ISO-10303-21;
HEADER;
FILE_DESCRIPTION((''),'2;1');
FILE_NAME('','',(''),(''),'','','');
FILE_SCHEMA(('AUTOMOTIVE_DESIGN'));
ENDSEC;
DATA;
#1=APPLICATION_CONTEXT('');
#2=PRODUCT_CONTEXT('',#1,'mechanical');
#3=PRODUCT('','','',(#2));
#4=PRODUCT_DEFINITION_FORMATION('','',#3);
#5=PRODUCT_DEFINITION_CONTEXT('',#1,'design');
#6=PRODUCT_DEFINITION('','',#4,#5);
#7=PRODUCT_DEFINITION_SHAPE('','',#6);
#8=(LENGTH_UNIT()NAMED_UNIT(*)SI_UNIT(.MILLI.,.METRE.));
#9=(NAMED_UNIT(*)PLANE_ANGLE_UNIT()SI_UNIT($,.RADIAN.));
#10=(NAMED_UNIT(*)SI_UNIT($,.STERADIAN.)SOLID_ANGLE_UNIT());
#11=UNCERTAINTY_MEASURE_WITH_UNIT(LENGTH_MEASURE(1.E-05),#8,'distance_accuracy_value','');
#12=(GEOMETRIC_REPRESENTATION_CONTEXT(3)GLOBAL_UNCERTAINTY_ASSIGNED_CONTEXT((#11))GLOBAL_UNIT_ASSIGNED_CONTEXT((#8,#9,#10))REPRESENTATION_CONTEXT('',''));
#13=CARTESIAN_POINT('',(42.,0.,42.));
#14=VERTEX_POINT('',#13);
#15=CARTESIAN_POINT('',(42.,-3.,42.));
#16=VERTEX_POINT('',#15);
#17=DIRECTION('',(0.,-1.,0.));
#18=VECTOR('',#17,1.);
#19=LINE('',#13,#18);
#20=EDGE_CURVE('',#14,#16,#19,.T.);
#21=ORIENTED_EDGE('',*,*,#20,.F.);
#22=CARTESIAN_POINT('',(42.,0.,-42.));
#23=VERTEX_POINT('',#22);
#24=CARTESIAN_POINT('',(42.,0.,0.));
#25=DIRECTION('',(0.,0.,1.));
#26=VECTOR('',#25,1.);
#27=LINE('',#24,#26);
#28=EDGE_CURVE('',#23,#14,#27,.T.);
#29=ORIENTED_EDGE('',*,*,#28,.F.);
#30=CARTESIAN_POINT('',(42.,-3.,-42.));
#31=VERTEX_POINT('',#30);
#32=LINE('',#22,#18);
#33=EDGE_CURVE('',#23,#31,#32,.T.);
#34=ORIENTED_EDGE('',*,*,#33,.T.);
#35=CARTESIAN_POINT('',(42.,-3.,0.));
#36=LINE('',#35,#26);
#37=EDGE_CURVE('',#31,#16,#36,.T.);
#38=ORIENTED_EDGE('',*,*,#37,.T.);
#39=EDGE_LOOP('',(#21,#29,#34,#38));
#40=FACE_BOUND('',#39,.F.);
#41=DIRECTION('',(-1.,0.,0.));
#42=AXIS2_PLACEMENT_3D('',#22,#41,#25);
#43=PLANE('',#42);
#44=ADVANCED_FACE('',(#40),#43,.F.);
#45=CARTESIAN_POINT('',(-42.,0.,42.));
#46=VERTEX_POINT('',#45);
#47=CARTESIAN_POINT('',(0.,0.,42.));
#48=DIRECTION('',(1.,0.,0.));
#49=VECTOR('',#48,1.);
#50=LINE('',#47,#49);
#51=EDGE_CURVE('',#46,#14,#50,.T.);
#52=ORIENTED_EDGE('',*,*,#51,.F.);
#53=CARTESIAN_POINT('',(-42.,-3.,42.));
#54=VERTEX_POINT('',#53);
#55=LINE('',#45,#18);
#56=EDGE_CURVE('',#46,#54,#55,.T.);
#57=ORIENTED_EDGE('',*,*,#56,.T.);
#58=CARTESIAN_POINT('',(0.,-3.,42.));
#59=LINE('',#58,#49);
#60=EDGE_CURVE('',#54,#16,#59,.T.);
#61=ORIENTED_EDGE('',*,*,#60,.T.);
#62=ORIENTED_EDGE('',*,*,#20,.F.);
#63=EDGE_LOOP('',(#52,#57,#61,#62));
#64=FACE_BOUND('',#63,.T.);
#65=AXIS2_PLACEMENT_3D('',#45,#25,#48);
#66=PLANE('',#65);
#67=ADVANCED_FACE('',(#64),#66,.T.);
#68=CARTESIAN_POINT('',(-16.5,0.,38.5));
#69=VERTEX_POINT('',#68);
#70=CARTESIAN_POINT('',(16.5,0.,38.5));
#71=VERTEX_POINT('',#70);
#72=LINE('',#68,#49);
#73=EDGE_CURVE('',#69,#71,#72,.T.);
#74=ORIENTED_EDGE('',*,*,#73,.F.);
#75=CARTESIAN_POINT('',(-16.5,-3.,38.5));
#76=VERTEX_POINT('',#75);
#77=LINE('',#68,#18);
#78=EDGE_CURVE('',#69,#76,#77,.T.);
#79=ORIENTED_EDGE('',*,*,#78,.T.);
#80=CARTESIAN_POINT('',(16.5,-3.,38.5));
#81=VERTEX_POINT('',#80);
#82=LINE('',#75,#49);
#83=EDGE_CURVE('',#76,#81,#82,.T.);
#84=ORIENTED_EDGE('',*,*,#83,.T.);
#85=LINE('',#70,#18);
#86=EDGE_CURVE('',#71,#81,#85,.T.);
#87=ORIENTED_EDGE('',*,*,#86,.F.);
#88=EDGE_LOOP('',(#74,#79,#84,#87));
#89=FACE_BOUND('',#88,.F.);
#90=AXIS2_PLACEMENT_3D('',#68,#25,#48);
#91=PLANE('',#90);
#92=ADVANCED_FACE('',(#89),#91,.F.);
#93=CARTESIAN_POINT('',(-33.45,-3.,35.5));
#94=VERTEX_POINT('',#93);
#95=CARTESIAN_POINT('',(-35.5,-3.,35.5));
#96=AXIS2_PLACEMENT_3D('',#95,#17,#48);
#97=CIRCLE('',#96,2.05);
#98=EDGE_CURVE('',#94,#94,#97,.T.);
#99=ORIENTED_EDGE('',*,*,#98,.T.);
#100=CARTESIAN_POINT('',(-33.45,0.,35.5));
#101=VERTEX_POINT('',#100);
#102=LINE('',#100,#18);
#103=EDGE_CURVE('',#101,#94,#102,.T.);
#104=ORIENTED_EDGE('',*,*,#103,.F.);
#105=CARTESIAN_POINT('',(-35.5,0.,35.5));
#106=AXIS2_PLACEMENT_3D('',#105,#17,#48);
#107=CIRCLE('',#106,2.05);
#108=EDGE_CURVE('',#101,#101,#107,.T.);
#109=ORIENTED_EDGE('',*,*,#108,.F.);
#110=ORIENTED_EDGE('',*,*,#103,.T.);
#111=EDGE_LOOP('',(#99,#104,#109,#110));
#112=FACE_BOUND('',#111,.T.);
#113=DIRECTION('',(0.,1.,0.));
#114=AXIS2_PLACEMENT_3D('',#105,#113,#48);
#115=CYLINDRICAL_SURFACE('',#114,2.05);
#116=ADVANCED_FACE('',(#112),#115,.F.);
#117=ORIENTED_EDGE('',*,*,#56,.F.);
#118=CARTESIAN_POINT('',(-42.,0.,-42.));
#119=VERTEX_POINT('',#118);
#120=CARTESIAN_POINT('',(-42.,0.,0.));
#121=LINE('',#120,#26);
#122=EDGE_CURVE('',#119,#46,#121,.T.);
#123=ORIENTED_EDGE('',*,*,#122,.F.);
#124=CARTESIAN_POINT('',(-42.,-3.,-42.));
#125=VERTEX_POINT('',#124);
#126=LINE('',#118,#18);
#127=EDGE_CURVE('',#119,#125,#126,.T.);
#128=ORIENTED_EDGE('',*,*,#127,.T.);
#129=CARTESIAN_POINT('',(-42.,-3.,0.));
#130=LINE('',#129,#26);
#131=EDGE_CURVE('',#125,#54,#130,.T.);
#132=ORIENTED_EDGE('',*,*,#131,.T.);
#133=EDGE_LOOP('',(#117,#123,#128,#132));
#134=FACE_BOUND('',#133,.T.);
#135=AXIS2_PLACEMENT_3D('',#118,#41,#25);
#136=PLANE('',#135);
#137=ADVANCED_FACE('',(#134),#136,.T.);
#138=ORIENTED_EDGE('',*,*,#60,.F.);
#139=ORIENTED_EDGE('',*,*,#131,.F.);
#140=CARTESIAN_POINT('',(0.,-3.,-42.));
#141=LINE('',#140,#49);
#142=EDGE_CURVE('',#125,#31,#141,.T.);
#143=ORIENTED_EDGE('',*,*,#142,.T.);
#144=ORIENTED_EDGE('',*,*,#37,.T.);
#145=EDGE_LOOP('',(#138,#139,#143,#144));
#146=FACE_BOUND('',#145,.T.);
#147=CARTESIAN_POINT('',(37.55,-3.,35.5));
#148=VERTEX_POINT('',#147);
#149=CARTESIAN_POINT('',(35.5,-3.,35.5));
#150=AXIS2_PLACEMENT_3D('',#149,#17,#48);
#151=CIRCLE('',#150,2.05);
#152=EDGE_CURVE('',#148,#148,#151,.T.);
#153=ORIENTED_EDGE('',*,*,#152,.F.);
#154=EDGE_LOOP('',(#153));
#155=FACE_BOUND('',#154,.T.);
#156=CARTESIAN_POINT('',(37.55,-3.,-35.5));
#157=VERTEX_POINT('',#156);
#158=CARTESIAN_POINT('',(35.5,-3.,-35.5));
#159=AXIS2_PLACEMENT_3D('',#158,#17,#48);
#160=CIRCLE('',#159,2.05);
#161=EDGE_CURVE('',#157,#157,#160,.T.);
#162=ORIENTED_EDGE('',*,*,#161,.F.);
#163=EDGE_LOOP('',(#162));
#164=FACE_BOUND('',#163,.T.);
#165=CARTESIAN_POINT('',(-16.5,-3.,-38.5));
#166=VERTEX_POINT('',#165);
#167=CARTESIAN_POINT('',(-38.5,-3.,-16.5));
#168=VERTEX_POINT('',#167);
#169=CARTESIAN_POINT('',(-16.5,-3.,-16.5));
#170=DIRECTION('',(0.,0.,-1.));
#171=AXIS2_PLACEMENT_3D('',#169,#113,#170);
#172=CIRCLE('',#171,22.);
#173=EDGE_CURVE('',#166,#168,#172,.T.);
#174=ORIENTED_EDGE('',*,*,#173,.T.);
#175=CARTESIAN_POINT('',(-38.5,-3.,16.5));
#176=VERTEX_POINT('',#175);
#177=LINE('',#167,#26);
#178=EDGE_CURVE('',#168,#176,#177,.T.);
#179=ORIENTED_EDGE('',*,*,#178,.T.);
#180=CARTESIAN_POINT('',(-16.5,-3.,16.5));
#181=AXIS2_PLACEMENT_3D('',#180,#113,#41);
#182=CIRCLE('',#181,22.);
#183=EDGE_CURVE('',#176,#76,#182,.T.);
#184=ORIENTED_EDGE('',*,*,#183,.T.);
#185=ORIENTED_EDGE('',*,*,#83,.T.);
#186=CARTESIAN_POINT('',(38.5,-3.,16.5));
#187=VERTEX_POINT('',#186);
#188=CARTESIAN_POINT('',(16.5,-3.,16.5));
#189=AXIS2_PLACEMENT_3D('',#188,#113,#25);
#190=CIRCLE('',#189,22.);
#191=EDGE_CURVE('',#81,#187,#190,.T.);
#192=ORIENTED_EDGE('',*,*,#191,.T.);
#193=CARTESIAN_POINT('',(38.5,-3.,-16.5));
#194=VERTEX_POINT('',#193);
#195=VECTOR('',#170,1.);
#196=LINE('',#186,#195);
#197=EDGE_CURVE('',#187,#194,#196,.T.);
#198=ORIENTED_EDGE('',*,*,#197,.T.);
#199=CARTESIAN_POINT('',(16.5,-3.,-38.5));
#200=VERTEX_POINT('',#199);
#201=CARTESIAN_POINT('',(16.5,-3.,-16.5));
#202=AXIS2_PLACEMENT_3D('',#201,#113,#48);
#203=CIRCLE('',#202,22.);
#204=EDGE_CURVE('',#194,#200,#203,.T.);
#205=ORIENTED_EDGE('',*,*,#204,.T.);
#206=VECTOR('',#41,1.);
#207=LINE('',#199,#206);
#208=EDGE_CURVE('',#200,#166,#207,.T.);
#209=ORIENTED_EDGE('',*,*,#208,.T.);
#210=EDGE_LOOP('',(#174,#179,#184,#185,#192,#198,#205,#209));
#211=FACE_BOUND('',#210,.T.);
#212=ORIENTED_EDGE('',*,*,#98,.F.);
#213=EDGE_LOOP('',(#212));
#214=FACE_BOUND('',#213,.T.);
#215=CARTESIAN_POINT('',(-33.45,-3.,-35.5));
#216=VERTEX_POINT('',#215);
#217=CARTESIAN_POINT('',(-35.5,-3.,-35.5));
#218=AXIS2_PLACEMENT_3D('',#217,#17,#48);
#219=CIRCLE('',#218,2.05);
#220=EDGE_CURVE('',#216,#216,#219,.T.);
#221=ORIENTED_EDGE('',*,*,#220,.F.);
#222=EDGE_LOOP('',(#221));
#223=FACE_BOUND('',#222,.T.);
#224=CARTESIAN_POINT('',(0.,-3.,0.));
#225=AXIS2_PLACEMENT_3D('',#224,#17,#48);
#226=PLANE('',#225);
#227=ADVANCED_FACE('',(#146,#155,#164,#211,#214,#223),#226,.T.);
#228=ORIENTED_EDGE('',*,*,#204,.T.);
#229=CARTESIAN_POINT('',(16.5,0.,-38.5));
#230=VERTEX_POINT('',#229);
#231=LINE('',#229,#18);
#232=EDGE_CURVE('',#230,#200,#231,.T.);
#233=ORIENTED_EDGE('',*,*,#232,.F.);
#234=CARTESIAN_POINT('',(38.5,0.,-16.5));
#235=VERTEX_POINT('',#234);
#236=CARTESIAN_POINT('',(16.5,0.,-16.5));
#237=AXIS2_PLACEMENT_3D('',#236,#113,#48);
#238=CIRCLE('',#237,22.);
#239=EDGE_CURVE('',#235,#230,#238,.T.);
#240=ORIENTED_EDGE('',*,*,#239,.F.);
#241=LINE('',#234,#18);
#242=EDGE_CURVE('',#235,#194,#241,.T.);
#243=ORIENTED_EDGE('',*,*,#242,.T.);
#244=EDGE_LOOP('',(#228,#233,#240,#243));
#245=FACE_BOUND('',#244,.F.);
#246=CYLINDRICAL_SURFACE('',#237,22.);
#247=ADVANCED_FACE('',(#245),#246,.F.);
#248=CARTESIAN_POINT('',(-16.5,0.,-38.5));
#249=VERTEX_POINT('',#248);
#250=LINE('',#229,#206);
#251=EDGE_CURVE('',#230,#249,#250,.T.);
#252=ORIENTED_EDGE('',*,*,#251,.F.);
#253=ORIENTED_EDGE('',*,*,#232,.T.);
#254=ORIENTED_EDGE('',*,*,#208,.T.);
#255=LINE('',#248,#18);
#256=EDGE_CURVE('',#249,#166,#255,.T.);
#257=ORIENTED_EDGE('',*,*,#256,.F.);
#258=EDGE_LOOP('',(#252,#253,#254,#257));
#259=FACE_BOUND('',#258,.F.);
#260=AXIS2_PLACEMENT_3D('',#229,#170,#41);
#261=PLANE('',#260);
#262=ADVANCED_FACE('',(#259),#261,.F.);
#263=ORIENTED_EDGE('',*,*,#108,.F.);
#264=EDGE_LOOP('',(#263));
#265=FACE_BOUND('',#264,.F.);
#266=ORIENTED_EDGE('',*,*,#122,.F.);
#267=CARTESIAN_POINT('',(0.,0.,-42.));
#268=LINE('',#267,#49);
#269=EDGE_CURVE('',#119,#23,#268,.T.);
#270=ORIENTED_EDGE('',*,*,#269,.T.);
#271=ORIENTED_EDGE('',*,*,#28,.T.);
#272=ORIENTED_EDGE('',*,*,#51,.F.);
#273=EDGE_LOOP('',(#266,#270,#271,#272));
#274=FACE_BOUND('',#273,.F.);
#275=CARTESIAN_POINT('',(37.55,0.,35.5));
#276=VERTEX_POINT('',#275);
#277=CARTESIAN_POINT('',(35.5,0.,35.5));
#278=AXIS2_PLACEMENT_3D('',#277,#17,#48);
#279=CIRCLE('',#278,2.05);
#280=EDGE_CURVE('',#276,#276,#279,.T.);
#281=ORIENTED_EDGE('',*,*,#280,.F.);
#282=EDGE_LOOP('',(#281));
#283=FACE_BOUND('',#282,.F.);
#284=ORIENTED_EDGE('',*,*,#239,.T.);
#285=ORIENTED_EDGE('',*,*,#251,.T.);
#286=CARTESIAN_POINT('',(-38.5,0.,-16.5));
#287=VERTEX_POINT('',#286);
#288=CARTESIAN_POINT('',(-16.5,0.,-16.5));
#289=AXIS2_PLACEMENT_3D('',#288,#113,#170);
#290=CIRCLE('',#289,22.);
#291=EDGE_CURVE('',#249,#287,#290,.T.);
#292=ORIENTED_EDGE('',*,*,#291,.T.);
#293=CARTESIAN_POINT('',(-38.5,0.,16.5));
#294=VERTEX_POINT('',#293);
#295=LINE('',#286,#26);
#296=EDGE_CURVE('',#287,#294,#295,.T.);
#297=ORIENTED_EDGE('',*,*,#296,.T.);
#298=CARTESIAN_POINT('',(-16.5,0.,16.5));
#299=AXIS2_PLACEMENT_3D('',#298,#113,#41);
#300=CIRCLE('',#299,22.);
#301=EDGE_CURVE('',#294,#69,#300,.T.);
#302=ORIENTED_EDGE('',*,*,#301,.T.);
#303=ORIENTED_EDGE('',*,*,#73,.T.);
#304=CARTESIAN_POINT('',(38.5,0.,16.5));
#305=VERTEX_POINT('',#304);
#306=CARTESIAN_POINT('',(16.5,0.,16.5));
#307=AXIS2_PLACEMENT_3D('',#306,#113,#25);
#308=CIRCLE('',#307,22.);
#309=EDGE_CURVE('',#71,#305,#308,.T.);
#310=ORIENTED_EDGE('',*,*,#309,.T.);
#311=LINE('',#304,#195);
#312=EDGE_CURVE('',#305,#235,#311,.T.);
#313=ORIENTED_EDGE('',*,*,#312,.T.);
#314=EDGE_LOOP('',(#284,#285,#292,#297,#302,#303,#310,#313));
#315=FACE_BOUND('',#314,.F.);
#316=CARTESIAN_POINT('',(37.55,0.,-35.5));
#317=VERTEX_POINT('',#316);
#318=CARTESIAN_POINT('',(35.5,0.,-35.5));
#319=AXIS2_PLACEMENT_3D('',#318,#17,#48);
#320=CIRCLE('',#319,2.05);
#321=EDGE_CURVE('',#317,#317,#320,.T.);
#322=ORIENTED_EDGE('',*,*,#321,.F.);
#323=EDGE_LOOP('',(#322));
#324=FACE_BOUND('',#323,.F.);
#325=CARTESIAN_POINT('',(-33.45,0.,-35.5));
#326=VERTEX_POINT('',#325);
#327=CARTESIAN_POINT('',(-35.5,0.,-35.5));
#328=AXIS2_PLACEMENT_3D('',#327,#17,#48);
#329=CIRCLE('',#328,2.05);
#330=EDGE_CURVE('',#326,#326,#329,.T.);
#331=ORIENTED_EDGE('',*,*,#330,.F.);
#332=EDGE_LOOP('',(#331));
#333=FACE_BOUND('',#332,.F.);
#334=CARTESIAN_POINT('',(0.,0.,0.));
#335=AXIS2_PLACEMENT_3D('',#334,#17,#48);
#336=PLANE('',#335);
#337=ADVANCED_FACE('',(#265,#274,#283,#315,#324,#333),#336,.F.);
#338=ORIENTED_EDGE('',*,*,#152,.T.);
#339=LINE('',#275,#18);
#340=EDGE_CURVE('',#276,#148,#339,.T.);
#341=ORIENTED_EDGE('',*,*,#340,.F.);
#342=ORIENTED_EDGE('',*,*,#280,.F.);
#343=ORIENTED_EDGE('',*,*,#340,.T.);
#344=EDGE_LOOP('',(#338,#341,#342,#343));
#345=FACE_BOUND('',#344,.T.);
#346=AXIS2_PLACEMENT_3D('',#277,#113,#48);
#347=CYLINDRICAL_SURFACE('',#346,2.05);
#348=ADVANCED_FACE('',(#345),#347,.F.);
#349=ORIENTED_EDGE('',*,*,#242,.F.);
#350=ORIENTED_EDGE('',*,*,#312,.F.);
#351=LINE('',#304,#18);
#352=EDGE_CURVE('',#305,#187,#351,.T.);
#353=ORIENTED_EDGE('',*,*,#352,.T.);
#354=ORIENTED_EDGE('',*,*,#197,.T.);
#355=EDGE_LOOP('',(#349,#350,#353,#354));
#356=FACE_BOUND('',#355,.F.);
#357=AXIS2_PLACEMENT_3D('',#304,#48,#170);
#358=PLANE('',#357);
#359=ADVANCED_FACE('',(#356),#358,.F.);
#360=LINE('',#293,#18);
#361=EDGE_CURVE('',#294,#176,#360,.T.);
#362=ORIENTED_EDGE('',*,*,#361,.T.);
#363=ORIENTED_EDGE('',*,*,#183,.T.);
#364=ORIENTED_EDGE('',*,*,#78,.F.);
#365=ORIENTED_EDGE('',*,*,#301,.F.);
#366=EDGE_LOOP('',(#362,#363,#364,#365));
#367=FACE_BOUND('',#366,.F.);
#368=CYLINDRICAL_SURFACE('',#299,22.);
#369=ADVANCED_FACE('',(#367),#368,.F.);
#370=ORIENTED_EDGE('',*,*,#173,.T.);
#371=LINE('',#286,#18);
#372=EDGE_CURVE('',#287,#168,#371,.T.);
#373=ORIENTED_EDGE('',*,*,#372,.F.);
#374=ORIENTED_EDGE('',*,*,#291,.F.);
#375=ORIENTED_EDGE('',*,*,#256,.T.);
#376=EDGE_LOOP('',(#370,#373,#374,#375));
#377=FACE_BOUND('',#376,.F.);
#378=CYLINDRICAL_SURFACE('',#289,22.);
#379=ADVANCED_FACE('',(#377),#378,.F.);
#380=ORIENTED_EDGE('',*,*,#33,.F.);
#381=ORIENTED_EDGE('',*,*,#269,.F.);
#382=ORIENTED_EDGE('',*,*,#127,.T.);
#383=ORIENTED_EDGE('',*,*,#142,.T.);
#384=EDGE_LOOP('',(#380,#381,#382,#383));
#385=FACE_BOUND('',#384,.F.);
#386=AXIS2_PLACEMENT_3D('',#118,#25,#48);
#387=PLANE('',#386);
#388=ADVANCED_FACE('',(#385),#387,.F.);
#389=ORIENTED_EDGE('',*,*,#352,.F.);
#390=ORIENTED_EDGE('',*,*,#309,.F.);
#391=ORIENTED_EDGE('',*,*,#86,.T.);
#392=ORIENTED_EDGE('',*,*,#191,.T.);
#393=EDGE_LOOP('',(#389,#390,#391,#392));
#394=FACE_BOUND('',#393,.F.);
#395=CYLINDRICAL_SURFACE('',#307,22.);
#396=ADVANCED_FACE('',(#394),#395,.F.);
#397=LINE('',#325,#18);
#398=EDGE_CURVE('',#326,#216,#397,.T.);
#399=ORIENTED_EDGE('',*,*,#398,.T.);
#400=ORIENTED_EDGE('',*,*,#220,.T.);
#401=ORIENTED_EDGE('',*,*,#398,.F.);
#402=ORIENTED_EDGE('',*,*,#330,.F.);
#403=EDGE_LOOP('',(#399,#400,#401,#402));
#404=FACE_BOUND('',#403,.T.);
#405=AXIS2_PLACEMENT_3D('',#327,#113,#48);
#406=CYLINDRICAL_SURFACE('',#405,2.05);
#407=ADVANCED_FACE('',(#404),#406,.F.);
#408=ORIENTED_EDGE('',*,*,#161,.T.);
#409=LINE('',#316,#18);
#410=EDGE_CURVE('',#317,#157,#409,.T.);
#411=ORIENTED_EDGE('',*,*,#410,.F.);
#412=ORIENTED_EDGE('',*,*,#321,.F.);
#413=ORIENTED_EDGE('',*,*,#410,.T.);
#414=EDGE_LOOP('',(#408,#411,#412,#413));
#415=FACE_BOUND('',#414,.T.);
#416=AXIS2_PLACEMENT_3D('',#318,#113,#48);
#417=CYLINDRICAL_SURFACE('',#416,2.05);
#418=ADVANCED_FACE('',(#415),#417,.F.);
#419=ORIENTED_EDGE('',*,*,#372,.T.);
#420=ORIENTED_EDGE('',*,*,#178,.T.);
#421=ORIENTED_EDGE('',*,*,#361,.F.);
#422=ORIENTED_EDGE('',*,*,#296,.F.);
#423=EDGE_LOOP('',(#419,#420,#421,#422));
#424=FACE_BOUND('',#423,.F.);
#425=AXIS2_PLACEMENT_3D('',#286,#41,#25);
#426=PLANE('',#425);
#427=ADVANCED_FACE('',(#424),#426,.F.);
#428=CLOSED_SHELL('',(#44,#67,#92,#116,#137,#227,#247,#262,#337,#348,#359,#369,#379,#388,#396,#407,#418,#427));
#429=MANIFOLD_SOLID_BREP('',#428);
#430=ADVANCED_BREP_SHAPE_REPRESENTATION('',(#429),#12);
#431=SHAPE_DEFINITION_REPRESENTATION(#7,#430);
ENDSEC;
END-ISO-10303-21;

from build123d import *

# Parameters (mm, degrees)
F0_W     = 84
F0_H     = 84
F0_W_2   = 79
F0_H_2   = 79
F0_R     = 2.05
F1_DEPTH = 3


with BuildPart() as f1:
    # F0 (on Front) → F1 (new body)
    with BuildSketch(Plane.XZ):
        Rectangle(F0_W, F0_H)
        Rectangle(F0_W_2, F0_H_2, mode=Mode.SUBTRACT)
        Rectangle(F0_W_2, F0_H_2)
        with Locations((-35.5, -35.5)):
            Circle(F0_R, mode=Mode.SUBTRACT)
        with Locations((35.5, -35.5)):
            Circle(F0_R, mode=Mode.SUBTRACT)
        with Locations((-35.5, 35.5)):
            Circle(F0_R, mode=Mode.SUBTRACT)
        with BuildLine():
            Line((-16.5, 38.5), (16.5, 38.5))
            ThreePointArc((16.5, 38.5), (32.0563491861, 32.0563491861), (38.5, 16.5))
            Line((38.5, 16.5), (38.5, -16.5))
            ThreePointArc((38.5, -16.5), (32.0563491861, -32.0563491861), (16.5, -38.5))
            Line((16.5, -38.5), (-16.5, -38.5))
            ThreePointArc((-16.5, -38.5), (-32.0563491861, -32.0563491861), (-38.5, -16.5))
            Line((-38.5, -16.5), (-38.5, 16.5))
            ThreePointArc((-38.5, 16.5), (-32.0563491861, 32.0563491861), (-16.5, 38.5))
        make_face(mode=Mode.SUBTRACT)
        with Locations((35.5, 35.5)):
            Circle(F0_R, mode=Mode.SUBTRACT)
    extrude(amount=F1_DEPTH)


solid = f1.part
